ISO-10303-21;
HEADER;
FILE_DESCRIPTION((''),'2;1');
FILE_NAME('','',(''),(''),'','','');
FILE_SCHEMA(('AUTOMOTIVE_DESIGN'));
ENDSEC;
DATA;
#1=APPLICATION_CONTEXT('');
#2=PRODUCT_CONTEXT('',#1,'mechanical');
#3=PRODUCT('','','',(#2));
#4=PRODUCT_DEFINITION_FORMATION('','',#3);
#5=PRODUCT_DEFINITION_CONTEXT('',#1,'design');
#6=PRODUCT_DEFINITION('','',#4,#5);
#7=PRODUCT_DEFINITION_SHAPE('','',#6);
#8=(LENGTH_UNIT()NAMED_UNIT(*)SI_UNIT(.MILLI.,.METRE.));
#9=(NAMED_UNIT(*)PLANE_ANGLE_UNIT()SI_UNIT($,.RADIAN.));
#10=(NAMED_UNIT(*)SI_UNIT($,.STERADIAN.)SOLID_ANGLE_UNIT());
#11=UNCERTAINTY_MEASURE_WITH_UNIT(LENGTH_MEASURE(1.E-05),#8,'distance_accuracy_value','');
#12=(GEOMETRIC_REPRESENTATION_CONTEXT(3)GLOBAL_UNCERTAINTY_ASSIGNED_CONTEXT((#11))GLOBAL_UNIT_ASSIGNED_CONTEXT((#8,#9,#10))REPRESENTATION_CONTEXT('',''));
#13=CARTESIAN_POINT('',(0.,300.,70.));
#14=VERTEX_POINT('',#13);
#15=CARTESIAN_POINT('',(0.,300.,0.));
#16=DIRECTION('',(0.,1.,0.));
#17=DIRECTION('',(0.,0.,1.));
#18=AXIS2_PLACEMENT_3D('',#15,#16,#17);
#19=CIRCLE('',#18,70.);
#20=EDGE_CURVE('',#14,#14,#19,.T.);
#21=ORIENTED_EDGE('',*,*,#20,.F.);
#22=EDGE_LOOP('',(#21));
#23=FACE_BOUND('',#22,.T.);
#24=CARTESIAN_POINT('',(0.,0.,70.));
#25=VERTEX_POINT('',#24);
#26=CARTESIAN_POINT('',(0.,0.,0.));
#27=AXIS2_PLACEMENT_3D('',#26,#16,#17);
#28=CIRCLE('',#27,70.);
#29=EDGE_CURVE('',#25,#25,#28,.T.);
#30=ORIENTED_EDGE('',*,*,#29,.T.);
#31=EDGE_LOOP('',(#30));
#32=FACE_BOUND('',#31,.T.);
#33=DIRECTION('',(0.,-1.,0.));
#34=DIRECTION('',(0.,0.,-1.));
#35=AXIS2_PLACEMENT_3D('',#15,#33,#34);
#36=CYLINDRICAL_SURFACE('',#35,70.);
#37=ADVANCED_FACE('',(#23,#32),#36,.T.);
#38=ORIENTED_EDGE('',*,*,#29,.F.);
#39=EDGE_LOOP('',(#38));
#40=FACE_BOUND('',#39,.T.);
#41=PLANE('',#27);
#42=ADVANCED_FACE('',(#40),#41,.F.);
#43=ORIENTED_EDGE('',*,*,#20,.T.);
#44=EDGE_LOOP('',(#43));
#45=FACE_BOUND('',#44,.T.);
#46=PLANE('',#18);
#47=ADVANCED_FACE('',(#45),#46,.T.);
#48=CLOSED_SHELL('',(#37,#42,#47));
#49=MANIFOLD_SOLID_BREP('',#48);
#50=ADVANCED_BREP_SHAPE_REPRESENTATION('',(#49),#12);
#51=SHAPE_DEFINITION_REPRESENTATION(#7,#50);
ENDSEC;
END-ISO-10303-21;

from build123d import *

# Parameters (mm, degrees)
SKETCH1_R           = 70
BOSS_EXTRUDE1_DEPTH = 300


with BuildPart() as part:
    # Sketch1 → Boss-Extrude1 (new body)
    with BuildSketch(Plane(origin=(0, 0, 0), x_dir=(1, 0, 0), z_dir=(0, 1, 0))):
        with Locations(Location((0, 0, 0), (0, 0, 270))):
            Circle(SKETCH1_R)
    extrude(amount=BOSS_EXTRUDE1_DEPTH)


solid = part.part
